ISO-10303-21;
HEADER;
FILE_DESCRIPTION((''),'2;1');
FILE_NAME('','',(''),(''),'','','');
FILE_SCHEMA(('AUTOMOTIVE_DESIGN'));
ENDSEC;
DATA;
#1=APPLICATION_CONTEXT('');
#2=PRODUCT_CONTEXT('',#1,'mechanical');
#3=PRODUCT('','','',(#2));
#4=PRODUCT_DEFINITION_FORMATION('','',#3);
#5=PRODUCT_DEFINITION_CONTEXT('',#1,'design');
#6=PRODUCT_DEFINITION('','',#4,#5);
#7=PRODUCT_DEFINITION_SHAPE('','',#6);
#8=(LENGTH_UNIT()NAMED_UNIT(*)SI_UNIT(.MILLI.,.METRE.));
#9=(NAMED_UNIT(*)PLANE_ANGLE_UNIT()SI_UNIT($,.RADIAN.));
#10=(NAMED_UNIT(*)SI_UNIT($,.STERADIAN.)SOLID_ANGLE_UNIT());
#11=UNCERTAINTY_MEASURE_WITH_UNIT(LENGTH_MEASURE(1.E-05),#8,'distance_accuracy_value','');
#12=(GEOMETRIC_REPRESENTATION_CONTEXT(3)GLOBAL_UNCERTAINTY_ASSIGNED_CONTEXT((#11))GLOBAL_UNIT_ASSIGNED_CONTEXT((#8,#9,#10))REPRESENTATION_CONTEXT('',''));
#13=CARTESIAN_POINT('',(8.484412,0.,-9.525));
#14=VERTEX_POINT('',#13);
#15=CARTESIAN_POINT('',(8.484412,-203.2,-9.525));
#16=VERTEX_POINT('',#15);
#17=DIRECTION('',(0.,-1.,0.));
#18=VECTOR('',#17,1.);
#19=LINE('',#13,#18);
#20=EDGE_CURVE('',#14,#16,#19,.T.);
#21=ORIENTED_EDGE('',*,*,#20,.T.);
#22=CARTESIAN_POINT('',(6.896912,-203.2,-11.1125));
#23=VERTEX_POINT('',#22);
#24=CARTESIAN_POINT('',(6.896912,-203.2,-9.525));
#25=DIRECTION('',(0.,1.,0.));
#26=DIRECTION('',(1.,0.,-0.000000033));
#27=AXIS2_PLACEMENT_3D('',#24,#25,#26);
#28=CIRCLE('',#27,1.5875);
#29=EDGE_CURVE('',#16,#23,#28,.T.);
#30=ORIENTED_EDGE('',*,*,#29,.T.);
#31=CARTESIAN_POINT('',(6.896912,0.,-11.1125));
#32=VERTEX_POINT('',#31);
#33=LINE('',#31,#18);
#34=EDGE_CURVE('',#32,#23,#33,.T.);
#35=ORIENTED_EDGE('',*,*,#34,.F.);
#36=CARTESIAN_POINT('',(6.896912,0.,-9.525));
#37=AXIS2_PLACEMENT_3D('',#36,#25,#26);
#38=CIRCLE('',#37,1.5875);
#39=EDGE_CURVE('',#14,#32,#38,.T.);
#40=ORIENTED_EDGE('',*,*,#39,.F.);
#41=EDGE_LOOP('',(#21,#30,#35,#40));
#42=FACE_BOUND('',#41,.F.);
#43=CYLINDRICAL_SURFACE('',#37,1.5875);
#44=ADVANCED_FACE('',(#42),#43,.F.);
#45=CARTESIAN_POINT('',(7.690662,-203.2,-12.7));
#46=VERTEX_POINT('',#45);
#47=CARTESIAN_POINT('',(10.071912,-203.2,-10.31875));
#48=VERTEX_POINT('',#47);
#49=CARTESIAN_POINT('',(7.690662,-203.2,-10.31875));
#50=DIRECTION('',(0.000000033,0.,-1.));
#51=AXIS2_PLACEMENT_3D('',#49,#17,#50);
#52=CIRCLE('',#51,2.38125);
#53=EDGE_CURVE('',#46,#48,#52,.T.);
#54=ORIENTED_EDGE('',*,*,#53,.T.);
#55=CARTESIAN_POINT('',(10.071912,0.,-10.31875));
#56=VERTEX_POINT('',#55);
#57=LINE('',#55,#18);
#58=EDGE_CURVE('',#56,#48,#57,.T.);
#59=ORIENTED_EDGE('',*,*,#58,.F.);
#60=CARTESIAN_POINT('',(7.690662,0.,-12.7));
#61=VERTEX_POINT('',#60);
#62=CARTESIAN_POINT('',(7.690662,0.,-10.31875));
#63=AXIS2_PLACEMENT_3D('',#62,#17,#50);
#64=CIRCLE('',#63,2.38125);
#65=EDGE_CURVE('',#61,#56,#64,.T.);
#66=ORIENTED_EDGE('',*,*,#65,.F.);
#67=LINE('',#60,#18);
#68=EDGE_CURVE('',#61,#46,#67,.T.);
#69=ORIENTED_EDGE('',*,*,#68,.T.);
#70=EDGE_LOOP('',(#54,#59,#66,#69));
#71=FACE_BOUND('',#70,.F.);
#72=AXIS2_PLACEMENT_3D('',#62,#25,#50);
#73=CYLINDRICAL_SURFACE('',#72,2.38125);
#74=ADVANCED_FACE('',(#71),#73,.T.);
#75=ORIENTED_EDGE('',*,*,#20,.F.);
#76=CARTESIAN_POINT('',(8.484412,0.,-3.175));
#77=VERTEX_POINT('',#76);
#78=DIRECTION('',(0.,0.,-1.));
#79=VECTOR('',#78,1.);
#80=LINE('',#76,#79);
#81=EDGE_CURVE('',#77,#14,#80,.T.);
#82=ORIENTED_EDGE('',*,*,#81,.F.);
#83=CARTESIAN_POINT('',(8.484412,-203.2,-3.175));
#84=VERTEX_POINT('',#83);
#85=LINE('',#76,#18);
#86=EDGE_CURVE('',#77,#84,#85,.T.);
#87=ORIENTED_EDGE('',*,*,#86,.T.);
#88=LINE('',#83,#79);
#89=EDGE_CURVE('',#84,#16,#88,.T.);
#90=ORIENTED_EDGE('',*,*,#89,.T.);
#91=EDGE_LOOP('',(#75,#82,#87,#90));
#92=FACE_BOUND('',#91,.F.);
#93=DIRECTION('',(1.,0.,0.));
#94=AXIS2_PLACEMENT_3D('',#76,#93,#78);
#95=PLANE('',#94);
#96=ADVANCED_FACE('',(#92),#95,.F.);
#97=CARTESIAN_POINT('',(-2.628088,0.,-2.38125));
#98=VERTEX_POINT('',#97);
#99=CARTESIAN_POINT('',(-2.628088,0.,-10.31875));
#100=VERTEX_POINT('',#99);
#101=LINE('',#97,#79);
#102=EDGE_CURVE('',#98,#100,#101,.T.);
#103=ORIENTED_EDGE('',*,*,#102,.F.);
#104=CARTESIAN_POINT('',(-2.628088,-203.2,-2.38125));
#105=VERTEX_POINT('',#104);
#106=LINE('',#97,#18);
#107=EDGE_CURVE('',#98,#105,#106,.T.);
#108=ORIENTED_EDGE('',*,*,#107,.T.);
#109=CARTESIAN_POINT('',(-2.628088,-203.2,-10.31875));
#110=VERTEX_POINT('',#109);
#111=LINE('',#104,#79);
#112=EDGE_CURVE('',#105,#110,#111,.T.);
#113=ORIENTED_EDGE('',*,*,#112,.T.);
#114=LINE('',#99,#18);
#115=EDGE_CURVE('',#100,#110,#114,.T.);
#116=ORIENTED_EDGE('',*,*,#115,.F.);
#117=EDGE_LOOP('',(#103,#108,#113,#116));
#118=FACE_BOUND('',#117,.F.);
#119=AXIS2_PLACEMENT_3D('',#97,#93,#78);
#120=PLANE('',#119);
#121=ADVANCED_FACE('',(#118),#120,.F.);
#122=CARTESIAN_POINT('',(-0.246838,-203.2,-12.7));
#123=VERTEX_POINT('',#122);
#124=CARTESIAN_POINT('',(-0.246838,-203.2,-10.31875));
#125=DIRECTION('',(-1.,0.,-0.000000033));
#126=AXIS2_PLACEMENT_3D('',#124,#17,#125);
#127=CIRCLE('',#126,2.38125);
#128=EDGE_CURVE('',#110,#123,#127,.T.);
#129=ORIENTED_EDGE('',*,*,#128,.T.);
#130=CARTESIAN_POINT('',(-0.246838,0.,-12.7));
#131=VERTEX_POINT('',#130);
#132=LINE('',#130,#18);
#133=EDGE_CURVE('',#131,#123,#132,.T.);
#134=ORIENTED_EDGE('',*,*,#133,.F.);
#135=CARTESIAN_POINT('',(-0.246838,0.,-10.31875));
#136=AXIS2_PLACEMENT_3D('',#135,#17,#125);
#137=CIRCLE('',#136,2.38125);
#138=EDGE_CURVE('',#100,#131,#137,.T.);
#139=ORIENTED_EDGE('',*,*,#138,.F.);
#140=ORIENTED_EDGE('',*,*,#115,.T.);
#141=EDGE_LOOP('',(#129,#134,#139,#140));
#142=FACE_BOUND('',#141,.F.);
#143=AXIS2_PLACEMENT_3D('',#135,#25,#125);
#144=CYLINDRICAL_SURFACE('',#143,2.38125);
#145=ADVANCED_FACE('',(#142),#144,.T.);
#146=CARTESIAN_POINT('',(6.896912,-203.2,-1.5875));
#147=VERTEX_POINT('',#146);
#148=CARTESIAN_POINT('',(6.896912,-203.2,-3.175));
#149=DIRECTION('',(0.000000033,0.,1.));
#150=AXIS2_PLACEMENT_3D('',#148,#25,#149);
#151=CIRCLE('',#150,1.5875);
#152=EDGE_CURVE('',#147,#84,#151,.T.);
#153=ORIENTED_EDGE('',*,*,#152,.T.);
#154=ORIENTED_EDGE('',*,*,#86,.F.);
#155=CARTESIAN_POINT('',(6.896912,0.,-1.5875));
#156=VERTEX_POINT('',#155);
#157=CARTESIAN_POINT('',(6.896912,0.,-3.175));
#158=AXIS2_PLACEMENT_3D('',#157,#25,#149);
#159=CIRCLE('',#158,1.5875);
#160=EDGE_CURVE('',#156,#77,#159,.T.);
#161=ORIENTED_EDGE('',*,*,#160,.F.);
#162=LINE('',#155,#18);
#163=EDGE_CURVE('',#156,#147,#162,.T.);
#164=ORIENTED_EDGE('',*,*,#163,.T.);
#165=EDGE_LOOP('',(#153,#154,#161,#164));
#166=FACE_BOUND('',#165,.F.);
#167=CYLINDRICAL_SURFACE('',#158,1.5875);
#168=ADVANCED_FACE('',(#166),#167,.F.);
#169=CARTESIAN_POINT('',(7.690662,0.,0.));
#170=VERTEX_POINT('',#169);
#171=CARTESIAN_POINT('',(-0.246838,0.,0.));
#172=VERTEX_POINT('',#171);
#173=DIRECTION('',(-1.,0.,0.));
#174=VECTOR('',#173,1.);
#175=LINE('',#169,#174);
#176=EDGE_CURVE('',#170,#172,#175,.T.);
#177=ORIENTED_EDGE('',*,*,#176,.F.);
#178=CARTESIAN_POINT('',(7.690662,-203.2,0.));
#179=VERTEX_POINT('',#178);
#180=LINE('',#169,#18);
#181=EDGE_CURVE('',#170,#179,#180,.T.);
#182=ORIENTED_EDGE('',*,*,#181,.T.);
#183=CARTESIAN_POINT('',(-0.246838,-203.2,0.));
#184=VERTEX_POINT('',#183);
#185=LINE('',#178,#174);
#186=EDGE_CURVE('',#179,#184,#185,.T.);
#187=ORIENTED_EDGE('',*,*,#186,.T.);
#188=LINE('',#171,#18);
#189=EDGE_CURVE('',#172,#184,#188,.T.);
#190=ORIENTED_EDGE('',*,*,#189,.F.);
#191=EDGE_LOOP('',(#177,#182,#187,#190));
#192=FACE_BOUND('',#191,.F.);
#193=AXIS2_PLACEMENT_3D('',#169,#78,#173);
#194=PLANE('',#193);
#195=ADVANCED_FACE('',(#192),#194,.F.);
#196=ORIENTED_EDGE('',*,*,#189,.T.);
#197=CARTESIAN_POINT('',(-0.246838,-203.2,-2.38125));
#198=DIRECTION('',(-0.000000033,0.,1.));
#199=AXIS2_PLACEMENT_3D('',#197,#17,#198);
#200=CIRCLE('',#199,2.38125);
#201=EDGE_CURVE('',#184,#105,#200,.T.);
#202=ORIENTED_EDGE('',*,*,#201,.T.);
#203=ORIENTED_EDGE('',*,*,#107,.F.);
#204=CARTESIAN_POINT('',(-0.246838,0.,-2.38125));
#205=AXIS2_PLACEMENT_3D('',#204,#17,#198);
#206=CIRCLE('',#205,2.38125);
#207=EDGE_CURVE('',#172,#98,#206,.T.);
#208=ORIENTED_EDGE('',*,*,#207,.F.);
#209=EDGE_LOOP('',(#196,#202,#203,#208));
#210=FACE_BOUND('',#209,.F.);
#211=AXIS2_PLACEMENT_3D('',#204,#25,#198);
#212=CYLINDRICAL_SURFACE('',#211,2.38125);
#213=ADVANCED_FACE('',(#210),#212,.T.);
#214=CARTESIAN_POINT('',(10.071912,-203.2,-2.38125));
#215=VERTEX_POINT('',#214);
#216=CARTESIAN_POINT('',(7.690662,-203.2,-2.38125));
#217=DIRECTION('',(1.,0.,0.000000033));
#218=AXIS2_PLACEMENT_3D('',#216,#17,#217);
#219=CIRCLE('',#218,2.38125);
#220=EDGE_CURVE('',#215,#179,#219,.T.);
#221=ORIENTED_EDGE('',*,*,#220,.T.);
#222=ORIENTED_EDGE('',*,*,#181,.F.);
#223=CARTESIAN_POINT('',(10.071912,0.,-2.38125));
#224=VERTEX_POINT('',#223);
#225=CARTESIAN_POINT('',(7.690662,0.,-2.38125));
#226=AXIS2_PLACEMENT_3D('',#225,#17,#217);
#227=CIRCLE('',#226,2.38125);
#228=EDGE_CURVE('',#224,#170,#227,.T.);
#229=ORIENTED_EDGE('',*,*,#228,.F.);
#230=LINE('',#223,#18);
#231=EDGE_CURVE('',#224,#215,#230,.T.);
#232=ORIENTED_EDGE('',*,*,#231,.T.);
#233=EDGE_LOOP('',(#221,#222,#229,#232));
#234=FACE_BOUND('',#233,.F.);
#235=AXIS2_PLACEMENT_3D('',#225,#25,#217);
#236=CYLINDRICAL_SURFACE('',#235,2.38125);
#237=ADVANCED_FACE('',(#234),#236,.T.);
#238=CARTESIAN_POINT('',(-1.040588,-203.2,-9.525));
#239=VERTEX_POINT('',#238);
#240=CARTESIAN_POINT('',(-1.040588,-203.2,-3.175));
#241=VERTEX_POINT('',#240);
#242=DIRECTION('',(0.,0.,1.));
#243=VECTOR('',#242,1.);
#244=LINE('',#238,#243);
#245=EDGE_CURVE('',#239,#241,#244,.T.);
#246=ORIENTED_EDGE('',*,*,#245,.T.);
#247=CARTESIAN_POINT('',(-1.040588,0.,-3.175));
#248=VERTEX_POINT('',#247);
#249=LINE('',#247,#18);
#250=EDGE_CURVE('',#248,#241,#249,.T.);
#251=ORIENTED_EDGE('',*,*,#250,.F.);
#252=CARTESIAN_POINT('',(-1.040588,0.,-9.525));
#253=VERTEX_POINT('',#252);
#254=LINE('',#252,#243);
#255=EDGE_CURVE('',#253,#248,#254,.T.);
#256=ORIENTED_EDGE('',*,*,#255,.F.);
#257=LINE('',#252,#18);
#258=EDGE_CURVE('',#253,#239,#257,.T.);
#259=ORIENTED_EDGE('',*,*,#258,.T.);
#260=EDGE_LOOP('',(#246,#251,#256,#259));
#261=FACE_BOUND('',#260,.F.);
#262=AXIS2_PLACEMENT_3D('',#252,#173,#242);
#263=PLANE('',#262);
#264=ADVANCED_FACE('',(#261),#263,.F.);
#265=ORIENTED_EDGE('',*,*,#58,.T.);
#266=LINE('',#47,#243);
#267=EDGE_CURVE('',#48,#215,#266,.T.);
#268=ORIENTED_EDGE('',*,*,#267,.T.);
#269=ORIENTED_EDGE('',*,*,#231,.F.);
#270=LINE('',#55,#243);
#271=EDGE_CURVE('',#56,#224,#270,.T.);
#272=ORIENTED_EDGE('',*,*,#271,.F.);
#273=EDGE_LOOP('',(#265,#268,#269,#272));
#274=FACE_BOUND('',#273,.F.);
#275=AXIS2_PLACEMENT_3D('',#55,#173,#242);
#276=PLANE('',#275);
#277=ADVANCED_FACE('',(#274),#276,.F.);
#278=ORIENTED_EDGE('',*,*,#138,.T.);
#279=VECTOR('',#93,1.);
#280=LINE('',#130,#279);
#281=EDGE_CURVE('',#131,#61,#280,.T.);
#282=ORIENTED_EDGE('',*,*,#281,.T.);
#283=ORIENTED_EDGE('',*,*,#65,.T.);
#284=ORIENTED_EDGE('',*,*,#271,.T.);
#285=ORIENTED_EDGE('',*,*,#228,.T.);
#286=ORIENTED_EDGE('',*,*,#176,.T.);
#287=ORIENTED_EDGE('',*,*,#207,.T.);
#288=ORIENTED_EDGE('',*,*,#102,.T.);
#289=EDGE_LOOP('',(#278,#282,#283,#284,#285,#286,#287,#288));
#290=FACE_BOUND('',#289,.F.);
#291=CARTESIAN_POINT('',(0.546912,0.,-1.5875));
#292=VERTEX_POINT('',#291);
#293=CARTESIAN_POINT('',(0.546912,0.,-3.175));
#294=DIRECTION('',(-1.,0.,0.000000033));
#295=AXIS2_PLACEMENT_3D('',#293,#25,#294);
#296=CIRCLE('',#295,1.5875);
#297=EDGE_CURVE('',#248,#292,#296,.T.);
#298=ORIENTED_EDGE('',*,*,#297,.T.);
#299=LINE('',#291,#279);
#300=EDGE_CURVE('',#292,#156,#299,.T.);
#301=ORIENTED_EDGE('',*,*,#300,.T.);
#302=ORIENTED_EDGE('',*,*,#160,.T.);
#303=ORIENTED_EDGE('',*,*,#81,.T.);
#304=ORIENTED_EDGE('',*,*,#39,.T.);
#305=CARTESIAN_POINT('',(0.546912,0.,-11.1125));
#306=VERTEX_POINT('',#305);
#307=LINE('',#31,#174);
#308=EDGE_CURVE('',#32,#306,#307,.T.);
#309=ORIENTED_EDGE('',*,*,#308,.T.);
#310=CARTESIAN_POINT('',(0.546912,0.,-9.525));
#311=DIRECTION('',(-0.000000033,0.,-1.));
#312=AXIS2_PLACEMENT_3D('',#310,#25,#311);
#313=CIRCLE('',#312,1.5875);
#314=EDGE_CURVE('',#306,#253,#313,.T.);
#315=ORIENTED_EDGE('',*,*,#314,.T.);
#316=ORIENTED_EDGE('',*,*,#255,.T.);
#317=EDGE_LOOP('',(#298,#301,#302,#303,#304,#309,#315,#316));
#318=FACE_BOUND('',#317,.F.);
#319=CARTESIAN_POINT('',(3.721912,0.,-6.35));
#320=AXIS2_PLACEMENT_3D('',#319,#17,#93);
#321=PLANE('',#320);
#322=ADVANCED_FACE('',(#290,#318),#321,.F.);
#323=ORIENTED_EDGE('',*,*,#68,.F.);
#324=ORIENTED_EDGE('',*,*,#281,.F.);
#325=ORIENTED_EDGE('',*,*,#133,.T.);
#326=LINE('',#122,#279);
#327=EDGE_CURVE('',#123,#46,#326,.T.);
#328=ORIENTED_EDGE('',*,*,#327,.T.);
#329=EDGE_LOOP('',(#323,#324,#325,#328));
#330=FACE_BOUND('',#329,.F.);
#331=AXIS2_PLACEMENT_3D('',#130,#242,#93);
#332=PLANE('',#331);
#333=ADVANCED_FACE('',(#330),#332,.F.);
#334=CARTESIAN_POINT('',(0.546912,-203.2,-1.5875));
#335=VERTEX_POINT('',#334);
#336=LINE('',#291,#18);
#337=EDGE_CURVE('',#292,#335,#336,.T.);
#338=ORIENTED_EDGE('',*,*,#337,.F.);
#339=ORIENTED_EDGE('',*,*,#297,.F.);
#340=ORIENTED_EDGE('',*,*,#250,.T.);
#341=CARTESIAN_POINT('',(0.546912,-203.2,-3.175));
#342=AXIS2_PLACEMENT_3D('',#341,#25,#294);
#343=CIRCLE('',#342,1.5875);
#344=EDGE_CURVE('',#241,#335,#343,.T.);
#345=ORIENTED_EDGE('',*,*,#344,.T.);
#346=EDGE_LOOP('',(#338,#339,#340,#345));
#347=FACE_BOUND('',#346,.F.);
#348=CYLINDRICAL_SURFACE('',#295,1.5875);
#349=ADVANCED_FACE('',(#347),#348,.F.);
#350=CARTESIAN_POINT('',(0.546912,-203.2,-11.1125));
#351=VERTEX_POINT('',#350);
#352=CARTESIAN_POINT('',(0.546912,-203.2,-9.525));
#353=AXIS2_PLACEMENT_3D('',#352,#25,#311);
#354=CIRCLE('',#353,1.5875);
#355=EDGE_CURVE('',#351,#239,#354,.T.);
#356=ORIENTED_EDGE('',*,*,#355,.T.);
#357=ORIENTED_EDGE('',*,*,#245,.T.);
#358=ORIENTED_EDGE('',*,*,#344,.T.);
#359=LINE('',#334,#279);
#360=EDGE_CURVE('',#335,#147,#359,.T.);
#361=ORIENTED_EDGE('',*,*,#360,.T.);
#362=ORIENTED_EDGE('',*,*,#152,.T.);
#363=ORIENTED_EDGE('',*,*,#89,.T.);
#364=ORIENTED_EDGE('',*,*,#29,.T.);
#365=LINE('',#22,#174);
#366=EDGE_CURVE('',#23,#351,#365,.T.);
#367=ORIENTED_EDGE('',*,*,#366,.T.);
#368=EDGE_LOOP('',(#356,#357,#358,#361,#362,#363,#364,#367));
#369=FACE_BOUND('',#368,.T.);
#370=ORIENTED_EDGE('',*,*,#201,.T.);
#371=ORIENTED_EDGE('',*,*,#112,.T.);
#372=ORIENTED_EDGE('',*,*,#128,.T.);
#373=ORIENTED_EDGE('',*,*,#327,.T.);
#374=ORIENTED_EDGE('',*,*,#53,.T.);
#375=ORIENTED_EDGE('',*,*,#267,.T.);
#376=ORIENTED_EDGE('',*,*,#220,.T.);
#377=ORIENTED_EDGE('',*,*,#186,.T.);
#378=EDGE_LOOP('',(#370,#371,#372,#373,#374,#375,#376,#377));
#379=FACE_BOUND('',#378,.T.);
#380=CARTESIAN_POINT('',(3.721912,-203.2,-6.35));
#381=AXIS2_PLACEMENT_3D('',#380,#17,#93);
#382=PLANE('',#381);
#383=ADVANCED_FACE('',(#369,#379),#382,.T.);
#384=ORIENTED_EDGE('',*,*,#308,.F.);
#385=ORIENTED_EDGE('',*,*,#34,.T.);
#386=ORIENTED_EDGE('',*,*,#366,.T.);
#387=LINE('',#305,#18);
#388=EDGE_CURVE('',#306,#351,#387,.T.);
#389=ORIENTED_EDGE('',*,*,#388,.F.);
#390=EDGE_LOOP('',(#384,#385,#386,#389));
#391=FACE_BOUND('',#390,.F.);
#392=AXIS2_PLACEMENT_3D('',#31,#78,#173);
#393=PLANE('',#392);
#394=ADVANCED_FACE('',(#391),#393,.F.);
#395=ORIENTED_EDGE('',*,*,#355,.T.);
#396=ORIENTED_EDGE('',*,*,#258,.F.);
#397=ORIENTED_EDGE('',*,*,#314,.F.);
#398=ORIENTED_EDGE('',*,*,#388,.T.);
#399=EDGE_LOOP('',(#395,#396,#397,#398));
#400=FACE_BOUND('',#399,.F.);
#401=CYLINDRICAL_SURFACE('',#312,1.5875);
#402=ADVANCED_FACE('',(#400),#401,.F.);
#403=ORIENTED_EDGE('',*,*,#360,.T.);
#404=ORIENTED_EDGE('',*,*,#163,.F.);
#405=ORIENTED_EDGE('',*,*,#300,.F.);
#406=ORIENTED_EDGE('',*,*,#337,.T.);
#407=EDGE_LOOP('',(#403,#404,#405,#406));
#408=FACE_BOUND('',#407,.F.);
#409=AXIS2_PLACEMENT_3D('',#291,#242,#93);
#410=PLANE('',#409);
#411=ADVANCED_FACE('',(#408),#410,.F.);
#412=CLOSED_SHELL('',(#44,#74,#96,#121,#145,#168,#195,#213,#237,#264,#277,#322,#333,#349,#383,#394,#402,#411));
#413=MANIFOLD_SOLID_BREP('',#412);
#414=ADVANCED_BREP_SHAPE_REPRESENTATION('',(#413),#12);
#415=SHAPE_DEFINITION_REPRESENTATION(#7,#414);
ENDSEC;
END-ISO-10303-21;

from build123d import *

# Parameters (mm, degrees)
F1_DEPTH = 203.2


with BuildPart() as f1:
    # F0 (on Front) → F1 (new body)
    with BuildSketch(Plane.XZ):
        with BuildLine():
            ThreePointArc((10.071912, -2.38125), (9.37446, -0.697452), (7.690662, 0))
            Line((7.690662, 0), (-0.246838, 0))
            ThreePointArc((-0.246838, 0), (-1.930636, -0.697452), (-2.628088, -2.38125))
            Line((-2.628088, -2.38125), (-2.628088, -10.31875))
            ThreePointArc((-2.628088, -10.31875), (-1.930636, -12.002548), (-0.246838, -12.7))
            Line((-0.246838, -12.7), (7.690662, -12.7))
            ThreePointArc((7.690662, -12.7), (9.37446, -12.002548), (10.071912, -10.31875))
            Line((10.071912, -10.31875), (10.071912, -2.38125))
        make_face()
        with BuildLine():
            Line((0.546912, -1.5875), (6.896912, -1.5875))
            ThreePointArc((6.896912, -1.5875), (8.019444, -2.052468), (8.484412, -3.175))
            Line((8.484412, -3.175), (8.484412, -9.525))
            ThreePointArc((8.484412, -9.525), (8.019444, -10.647532), (6.896912, -11.1125))
            Line((6.896912, -11.1125), (0.546912, -11.1125))
            ThreePointArc((0.546912, -11.1125), (-0.57562, -10.647532), (-1.040588, -9.525))
            Line((-1.040588, -9.525), (-1.040588, -3.175))
            ThreePointArc((-1.040588, -3.175), (-0.57562, -2.052468), (0.546912, -1.5875))
        make_face(mode=Mode.SUBTRACT)
    extrude(amount=F1_DEPTH)


solid = f1.part
